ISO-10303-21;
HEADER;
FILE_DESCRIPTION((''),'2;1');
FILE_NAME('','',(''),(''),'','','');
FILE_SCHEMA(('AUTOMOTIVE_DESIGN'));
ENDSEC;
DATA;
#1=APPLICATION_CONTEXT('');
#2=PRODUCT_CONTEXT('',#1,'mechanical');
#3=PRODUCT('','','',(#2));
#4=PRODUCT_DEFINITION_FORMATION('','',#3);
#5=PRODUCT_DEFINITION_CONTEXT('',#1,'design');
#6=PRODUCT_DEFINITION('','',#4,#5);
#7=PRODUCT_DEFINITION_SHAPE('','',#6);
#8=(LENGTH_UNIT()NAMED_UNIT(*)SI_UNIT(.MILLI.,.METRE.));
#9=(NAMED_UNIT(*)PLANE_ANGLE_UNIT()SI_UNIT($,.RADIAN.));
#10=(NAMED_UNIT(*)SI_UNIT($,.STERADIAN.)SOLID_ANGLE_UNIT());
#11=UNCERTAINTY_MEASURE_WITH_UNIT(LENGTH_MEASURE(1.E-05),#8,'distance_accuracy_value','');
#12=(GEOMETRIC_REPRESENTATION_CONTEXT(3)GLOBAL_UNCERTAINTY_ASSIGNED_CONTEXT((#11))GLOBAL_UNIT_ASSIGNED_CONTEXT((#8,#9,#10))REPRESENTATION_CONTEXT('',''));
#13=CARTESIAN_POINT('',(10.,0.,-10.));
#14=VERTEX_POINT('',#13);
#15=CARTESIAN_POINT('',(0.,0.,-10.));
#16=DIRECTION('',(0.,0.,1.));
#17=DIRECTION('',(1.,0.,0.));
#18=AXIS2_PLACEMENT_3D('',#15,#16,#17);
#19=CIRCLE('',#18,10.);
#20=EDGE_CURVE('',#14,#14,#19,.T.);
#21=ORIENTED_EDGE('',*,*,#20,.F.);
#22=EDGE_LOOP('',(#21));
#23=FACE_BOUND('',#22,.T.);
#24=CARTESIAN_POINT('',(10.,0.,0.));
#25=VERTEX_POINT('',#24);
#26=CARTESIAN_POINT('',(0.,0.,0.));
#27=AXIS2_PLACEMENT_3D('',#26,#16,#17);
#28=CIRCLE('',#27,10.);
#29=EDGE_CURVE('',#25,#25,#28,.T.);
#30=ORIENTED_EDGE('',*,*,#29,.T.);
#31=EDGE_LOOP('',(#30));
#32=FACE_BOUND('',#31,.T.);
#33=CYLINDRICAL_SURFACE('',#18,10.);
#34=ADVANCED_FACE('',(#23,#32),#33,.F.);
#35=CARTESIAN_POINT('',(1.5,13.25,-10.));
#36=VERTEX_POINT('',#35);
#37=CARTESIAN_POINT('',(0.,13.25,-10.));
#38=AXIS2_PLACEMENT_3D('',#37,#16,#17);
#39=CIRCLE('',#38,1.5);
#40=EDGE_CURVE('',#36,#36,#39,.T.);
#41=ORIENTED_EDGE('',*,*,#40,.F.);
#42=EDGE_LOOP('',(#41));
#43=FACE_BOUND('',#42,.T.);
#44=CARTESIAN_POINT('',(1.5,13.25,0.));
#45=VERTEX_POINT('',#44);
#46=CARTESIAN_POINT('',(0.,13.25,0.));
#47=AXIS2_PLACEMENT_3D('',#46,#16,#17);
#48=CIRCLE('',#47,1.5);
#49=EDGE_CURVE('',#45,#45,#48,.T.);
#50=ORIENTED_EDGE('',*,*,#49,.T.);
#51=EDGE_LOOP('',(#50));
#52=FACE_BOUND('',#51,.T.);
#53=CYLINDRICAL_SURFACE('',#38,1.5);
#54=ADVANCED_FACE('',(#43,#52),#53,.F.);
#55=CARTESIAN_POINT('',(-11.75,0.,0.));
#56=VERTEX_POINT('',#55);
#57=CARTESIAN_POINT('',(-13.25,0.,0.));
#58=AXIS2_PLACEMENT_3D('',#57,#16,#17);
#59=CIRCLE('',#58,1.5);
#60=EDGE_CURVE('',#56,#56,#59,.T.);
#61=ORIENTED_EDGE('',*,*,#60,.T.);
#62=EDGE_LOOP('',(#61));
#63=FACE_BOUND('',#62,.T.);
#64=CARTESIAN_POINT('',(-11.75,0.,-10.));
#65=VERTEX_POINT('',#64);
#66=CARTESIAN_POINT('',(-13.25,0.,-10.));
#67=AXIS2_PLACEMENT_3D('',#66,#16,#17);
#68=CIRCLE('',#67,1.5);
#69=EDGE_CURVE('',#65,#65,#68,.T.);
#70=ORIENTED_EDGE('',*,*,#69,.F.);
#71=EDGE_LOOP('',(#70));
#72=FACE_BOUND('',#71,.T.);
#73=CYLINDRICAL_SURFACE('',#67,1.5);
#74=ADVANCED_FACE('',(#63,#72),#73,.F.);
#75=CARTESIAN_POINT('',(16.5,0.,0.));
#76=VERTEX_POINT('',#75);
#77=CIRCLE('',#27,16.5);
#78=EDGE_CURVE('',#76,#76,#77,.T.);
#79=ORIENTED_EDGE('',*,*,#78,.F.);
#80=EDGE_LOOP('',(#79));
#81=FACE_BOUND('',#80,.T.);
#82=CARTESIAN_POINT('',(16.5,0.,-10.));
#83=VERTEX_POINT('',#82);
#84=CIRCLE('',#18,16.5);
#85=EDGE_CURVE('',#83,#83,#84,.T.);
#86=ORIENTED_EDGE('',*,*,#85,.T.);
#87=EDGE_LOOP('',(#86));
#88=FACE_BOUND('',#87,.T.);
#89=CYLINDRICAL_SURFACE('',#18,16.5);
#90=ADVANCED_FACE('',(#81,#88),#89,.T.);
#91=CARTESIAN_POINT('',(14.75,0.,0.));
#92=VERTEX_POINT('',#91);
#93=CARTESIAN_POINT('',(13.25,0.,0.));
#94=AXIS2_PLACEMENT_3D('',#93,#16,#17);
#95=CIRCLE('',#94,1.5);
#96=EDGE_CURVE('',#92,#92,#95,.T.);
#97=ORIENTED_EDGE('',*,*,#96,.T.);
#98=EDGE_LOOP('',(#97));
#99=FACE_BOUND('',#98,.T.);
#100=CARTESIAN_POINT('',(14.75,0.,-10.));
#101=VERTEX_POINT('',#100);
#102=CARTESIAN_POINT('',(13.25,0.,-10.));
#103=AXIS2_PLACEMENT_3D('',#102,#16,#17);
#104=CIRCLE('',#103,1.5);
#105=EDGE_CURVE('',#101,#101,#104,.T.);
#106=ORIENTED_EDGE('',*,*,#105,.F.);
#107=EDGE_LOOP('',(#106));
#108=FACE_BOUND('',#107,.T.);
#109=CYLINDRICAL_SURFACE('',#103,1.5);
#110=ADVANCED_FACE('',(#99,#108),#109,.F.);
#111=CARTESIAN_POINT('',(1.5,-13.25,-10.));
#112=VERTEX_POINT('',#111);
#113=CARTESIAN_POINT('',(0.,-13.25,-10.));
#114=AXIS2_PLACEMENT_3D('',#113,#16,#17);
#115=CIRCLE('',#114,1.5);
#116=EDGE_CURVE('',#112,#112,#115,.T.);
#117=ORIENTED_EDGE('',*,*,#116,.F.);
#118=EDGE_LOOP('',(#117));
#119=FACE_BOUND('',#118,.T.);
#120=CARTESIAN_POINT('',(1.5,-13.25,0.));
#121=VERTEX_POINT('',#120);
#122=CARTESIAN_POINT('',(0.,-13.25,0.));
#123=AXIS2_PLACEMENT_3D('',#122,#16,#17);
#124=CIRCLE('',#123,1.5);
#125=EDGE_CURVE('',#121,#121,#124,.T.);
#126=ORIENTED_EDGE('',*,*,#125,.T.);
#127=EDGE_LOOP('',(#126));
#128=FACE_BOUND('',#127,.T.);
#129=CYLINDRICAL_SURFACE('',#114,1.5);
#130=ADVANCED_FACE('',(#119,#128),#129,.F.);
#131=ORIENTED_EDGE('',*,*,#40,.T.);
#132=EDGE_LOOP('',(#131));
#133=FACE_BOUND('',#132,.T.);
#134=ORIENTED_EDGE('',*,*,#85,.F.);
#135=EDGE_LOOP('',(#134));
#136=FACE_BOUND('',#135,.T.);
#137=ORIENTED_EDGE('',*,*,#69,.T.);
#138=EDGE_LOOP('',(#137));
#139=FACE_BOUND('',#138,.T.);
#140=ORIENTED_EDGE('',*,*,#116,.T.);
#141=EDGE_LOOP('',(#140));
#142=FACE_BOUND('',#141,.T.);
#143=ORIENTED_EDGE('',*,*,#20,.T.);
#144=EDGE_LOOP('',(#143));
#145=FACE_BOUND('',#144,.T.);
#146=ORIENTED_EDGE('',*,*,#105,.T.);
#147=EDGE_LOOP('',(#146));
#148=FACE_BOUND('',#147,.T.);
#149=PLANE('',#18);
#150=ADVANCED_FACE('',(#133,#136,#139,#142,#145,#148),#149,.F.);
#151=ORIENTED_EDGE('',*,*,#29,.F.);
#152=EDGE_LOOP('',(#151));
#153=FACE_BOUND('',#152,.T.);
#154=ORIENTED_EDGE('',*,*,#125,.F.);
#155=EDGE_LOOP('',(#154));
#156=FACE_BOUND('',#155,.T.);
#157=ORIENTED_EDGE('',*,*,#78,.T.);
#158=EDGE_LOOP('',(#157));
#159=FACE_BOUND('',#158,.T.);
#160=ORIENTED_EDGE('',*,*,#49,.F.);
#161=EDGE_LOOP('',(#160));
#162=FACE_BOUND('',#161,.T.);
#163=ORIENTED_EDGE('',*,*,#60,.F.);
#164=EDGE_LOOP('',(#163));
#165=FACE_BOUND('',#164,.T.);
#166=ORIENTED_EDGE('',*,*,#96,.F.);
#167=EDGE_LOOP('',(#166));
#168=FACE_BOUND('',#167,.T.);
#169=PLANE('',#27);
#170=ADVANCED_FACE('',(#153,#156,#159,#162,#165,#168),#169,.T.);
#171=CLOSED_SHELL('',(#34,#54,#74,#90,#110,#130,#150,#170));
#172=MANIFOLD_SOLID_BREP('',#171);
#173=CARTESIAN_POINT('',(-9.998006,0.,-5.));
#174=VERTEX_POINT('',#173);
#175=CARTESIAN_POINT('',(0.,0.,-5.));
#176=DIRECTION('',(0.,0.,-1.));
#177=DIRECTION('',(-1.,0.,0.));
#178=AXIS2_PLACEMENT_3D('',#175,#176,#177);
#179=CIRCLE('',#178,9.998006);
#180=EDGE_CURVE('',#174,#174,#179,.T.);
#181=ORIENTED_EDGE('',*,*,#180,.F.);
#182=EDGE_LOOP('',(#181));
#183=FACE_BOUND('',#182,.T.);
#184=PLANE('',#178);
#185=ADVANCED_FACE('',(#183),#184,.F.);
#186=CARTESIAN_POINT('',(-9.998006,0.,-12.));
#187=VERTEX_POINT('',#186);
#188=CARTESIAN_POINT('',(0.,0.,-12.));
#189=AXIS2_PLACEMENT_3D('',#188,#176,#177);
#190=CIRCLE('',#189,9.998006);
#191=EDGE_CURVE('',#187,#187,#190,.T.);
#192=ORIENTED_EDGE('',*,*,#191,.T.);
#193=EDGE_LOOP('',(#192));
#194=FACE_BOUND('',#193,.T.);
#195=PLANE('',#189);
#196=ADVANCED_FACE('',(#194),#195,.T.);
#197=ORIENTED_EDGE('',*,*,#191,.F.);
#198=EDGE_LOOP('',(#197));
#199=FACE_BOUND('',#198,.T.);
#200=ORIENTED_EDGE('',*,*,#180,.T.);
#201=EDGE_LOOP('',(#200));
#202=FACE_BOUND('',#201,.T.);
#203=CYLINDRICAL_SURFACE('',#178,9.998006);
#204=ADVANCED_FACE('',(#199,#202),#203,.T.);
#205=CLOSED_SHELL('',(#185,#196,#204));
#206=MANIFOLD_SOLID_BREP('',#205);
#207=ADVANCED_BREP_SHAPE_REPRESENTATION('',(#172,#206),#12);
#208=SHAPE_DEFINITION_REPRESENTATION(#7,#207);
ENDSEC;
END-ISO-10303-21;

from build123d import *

# Parameters (mm, degrees)
IZIM1_R                     = 16.5
IZIM1_R_2                   = 10
IZIM1_R_3                   = 1.5
Y_KSEKLIK_EKSTR_ZYON1_DEPTH = 10
IZIM2_R                     = 9.998006204
Y_KSEKLIK_EKSTR_ZYON2_DEPTH = 5
IZIM4_R                     = 9.998006204
Y_KSEKLIK_EKSTR_ZYON3_DEPTH = 2


with BuildPart() as part:
    # Çizim1 → Yükseklik-Ekstrüzyon1 (new body)
    with BuildSketch(Plane.XY):
        Circle(IZIM1_R)
        Circle(IZIM1_R_2, mode=Mode.SUBTRACT)
        with Locations((0, 13.25)):
            Circle(IZIM1_R_3, mode=Mode.SUBTRACT)
        with Locations((13.25, 0)):
            Circle(IZIM1_R_3, mode=Mode.SUBTRACT)
        with Locations((0, -13.25)):
            Circle(IZIM1_R_3, mode=Mode.SUBTRACT)
        with Locations((-13.25, 0)):
            Circle(IZIM1_R_3, mode=Mode.SUBTRACT)
    extrude(amount=-Y_KSEKLIK_EKSTR_ZYON1_DEPTH)


with BuildPart() as body_2:
    # Çizim2 → Yükseklik-Ekstrüzyon2 (new body)
    with BuildSketch(Plane(origin=(0, 0, -10), x_dir=(-1, 0, 0), z_dir=(0, 0, -1))):
        Circle(IZIM2_R)
    extrude(amount=-Y_KSEKLIK_EKSTR_ZYON2_DEPTH)

    # Çizim4 → Yükseklik-Ekstrüzyon3 (add)
    with BuildSketch(Plane(origin=(0, 0, -10), x_dir=(-1, 0, 0), z_dir=(0, 0, -1))):
        Circle(IZIM4_R)
    extrude(amount=Y_KSEKLIK_EKSTR_ZYON3_DEPTH)


solid = Compound([part.part, body_2.part])
